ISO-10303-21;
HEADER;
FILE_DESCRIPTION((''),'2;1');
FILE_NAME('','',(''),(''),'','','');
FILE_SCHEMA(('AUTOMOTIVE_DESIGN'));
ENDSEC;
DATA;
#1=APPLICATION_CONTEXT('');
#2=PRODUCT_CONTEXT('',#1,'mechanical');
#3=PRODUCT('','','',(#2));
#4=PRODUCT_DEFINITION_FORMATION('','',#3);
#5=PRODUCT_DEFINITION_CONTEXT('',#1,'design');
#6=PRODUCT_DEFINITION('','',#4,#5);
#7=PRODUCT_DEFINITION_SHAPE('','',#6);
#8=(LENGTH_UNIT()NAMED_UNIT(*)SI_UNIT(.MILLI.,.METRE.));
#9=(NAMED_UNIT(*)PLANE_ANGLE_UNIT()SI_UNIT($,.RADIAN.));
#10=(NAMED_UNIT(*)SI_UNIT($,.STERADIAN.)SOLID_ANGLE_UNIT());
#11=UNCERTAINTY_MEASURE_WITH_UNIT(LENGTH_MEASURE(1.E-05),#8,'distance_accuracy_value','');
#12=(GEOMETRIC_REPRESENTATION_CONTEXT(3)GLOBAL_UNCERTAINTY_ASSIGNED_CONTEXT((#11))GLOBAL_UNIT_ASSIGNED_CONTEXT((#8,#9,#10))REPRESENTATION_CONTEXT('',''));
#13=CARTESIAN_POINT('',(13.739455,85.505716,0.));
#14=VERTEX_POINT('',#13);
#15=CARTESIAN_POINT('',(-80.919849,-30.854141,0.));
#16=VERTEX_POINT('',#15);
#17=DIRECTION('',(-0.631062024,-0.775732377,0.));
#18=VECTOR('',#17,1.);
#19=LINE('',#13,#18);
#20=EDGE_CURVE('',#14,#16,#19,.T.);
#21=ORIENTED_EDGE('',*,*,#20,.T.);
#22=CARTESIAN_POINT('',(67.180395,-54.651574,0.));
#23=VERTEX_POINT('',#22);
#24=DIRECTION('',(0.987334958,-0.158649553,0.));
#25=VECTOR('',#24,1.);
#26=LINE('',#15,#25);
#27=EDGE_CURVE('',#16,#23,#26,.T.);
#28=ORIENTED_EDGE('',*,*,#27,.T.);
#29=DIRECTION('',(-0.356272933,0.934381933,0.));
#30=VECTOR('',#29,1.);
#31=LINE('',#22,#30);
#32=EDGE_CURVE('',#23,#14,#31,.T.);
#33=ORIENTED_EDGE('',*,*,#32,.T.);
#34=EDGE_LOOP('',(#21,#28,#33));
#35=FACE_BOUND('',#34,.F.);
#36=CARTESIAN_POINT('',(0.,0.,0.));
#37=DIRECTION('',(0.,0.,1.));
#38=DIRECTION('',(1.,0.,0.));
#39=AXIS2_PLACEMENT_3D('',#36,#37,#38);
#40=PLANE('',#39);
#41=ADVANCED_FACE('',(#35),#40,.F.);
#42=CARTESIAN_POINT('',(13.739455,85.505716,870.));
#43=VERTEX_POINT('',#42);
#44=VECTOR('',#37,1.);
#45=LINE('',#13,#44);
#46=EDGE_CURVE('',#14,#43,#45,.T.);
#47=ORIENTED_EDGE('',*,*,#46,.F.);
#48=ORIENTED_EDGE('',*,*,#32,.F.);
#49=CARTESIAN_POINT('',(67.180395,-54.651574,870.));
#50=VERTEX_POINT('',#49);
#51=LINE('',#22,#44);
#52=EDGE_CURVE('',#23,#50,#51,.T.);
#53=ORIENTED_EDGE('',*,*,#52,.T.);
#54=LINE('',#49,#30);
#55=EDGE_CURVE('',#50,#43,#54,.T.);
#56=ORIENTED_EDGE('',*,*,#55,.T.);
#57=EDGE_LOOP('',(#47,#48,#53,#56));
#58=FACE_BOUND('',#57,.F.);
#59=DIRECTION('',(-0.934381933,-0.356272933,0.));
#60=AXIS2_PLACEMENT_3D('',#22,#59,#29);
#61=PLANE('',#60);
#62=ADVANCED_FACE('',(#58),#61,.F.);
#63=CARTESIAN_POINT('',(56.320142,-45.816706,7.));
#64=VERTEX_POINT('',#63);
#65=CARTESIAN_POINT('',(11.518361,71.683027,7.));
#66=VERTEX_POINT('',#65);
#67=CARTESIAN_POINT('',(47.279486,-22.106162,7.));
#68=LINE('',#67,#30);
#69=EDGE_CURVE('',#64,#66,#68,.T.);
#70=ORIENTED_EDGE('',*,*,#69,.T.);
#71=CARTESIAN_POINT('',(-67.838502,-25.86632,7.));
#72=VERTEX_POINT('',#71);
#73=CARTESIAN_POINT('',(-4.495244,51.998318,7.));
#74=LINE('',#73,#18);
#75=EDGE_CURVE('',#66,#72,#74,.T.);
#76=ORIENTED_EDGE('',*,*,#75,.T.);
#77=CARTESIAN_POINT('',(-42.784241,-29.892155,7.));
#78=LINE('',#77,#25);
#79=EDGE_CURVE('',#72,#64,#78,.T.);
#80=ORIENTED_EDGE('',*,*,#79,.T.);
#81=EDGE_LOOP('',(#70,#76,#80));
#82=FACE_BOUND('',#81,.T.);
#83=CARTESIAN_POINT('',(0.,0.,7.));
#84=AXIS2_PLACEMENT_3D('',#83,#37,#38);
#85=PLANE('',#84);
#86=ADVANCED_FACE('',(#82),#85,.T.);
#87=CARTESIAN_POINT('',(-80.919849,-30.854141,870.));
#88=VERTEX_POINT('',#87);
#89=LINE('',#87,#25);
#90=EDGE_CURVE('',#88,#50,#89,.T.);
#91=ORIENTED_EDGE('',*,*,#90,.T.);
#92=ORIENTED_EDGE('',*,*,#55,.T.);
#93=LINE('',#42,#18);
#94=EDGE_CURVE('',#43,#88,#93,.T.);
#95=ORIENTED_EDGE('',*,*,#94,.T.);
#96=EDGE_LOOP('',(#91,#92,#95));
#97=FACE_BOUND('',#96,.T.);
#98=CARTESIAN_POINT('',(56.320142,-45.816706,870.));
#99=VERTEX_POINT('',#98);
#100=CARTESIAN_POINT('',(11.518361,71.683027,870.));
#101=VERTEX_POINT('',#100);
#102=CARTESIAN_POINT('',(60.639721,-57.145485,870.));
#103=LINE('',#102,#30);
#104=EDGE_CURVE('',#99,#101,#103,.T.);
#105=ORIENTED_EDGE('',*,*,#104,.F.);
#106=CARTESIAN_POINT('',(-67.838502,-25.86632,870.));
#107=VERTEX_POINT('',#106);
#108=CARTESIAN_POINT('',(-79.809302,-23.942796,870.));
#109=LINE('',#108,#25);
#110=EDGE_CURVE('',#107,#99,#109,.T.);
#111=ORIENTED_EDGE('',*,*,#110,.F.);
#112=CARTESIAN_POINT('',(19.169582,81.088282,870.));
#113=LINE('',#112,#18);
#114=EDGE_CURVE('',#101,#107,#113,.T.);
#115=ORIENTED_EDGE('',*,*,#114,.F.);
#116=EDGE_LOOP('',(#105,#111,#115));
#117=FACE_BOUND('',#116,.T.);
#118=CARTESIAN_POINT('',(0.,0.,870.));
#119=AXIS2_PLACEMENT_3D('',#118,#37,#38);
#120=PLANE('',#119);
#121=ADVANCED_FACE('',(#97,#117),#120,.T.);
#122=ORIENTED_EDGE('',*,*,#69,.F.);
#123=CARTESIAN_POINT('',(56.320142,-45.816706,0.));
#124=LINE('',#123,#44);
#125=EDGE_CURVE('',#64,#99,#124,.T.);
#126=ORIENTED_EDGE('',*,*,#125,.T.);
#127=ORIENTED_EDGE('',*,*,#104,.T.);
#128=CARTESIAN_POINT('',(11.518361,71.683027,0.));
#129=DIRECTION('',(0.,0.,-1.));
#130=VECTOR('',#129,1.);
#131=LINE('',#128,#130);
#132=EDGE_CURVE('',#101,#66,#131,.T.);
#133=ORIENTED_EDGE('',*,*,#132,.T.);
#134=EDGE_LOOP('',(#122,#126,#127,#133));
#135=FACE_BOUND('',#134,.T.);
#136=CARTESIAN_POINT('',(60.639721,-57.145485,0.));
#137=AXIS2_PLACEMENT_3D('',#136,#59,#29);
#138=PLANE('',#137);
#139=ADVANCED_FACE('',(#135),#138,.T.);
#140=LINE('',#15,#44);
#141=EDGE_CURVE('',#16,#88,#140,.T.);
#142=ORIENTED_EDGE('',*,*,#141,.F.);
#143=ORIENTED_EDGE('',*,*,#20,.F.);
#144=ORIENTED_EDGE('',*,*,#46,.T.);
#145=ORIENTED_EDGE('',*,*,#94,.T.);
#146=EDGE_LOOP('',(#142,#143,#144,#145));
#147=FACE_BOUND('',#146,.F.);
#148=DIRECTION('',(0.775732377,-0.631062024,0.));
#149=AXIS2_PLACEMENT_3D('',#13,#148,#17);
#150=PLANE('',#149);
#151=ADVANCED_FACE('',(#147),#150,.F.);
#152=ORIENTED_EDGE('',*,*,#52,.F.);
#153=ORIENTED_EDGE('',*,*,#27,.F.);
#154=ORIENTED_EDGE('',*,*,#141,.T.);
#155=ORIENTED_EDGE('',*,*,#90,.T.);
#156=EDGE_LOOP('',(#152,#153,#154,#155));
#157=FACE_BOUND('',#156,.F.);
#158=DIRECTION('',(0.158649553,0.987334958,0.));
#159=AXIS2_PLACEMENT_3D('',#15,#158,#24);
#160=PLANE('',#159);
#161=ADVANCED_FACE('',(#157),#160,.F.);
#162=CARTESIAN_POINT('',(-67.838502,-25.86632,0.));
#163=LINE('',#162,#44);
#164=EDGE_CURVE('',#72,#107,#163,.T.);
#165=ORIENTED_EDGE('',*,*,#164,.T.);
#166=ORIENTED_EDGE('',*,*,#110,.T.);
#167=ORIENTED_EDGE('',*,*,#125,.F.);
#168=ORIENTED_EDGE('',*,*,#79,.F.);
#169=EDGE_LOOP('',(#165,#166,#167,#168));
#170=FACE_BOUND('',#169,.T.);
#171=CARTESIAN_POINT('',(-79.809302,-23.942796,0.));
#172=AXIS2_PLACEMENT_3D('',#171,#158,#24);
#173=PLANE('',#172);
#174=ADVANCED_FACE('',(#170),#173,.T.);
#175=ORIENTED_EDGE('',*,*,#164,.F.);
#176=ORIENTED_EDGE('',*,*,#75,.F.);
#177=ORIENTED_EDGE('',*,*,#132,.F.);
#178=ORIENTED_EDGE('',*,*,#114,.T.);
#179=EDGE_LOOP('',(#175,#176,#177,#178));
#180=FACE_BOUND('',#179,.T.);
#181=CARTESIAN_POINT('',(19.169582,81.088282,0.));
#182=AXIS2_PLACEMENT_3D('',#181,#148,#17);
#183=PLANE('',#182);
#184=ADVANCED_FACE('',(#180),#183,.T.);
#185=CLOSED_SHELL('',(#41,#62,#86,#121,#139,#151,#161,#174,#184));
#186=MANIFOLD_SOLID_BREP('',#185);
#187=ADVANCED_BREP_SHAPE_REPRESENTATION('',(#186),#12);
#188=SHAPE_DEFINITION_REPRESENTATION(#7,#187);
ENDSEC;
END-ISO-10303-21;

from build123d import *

# Parameters (mm, degrees)
F1_DEPTH = 870
F2_T     = -7


with BuildPart() as f1:
    # F0 (on Top) → F1 (new body)
    with BuildSketch(Plane.XY):
        Polygon((13.739455, 85.505716), (-80.919849, -30.854141), (67.180395, -54.651574), align=None)
    extrude(amount=F1_DEPTH)

    # F2
    f2_openings = [f1.faces().sort_by_distance(p)[0] for p in [
        (0, 0, 870),
    ]]
    offset(amount=F2_T, openings=f2_openings)


solid = f1.part
